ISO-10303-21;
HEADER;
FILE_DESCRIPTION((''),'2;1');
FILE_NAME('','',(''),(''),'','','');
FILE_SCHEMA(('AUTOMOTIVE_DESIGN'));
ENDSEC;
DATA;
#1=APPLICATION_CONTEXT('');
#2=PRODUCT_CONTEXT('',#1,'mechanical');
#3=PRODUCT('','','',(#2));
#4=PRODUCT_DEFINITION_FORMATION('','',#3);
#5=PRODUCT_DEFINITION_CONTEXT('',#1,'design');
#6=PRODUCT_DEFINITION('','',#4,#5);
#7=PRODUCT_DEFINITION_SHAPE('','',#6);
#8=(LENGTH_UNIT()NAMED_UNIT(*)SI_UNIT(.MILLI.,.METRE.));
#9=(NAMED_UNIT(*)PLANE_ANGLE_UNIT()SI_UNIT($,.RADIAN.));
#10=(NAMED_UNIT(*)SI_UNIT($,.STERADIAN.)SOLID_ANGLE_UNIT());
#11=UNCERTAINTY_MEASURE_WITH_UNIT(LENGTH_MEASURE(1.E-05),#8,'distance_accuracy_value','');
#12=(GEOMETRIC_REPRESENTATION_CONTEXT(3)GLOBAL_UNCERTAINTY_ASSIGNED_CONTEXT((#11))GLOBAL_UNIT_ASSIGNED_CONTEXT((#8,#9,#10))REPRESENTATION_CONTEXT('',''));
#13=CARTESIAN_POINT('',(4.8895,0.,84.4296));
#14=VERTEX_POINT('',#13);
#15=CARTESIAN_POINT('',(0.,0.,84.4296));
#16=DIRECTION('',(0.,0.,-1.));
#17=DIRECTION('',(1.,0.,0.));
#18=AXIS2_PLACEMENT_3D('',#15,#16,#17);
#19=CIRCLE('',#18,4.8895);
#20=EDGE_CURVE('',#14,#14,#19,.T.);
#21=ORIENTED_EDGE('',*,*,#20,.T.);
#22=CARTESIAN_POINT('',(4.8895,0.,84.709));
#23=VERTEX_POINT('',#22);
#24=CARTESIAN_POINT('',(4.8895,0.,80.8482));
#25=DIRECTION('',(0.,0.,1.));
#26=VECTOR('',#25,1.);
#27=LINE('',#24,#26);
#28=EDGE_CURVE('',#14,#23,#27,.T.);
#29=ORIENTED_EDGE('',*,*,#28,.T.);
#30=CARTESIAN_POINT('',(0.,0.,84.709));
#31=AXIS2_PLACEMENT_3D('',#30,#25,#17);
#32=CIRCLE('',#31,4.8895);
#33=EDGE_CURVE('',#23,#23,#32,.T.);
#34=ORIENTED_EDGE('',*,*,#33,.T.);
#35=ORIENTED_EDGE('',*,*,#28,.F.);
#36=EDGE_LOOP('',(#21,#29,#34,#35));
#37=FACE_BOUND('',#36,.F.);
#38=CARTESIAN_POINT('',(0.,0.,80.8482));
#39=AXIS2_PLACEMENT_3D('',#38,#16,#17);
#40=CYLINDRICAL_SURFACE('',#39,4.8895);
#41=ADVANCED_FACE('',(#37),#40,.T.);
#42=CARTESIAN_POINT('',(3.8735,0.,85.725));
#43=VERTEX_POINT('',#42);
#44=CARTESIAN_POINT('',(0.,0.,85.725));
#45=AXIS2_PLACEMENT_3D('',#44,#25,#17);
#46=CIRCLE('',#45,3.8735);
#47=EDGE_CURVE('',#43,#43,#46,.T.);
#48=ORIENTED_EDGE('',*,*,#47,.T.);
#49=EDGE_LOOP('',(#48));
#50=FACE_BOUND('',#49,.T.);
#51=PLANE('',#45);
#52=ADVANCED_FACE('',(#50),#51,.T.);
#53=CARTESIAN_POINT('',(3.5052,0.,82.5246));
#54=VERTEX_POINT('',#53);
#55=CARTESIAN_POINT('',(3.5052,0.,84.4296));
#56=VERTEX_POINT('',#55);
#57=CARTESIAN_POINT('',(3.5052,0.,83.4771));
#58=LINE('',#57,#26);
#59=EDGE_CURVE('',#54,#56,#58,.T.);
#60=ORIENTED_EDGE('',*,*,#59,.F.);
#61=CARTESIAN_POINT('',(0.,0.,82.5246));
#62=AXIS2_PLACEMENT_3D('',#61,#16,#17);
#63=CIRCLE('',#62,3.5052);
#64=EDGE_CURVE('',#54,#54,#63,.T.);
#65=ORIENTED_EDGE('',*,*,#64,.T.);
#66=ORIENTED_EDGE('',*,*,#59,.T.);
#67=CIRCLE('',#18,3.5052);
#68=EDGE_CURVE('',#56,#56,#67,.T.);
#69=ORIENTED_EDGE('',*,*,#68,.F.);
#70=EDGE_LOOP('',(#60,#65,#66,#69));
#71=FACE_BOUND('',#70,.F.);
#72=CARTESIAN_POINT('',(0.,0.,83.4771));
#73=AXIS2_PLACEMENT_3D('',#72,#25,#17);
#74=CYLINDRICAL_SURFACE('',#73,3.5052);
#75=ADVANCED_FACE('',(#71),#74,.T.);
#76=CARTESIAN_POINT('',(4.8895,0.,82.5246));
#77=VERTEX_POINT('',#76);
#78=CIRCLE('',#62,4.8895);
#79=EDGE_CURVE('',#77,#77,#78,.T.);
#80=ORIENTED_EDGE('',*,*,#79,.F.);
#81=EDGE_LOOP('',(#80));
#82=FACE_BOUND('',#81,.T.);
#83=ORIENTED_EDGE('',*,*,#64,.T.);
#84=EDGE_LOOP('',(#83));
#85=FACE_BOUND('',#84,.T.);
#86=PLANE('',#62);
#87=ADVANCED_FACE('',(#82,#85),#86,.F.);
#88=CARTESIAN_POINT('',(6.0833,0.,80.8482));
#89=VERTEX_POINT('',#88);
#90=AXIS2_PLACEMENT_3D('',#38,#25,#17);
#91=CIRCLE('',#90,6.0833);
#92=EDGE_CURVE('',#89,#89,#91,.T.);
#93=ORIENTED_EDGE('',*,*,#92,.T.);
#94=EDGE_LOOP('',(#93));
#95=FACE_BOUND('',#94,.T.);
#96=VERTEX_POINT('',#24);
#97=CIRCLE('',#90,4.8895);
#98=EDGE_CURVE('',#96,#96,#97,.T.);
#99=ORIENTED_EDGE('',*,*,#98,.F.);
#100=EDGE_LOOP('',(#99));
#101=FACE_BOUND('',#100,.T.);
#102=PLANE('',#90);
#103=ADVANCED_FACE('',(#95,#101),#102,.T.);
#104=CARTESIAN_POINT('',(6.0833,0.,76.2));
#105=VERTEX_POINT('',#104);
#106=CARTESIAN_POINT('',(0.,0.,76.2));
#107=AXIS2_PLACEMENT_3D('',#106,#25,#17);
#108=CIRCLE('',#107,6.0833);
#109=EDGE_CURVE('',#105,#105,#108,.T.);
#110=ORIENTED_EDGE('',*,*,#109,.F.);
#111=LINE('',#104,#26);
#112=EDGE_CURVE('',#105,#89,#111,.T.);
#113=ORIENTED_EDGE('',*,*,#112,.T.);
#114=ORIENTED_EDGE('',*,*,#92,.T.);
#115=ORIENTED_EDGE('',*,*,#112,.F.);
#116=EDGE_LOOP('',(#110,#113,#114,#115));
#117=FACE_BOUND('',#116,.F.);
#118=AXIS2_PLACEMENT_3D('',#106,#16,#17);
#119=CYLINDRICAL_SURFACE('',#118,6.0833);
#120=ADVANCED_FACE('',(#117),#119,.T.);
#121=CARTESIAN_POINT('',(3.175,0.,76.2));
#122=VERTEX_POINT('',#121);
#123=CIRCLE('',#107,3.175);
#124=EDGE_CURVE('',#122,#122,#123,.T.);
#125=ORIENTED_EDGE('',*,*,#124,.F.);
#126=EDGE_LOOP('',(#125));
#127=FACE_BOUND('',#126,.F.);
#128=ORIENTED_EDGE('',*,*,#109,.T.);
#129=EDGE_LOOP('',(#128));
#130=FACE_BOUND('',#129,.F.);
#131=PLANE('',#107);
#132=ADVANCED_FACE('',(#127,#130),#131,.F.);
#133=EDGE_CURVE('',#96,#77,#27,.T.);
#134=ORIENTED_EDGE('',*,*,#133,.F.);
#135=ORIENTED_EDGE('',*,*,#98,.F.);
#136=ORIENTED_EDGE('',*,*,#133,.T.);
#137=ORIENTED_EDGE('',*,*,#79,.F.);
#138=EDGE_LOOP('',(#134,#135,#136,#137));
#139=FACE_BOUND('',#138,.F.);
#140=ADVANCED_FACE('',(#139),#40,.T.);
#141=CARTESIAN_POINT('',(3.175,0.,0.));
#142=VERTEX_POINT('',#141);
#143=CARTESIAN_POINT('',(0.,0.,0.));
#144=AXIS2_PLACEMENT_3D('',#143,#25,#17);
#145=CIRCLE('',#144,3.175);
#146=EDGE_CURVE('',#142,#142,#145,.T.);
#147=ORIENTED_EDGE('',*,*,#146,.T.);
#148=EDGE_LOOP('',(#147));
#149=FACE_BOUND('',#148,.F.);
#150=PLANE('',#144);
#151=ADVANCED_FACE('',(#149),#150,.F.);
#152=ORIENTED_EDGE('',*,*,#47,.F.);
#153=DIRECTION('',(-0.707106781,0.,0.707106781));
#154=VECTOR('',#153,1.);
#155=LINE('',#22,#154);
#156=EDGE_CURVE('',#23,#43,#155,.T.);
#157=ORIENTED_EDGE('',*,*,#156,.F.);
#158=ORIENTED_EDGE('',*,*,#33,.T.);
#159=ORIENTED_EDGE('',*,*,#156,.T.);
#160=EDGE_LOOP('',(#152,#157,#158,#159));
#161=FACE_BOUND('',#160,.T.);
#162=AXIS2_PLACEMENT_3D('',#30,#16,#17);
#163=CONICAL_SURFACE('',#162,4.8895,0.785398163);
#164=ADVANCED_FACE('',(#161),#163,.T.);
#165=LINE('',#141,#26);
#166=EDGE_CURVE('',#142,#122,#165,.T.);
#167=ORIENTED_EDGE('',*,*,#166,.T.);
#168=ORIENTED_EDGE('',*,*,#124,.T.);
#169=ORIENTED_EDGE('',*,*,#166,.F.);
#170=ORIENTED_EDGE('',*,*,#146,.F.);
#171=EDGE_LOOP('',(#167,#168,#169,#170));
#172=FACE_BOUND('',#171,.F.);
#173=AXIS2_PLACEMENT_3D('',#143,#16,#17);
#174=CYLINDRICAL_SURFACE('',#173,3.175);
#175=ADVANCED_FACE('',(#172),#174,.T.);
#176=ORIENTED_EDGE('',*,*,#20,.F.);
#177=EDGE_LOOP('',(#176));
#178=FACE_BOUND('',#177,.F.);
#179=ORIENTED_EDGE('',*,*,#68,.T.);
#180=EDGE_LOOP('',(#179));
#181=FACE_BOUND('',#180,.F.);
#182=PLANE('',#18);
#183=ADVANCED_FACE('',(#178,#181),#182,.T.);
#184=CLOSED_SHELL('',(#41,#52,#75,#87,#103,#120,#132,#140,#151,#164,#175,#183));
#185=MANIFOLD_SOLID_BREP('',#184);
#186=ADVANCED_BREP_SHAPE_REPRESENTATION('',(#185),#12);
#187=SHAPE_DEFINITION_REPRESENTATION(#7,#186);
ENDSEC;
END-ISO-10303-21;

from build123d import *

# Parameters (mm, degrees)
F0_R     = 3.175
F1_DEPTH = 76.2
F2_R     = 6.0833
F3_DEPTH = 4.6482
F4_R     = 4.8895
F5_DEPTH = 4.8768
F6_W     = 1.3843
F6_H     = 1.905
F8_SIZE  = 1.016


with BuildPart() as f1:
    # F0 (on Top) → F1 (new body)
    with BuildSketch(Plane.XY):
        Circle(F0_R)
    extrude(amount=F1_DEPTH)

    # F2 (on face) → F3 (join)
    with BuildSketch(Plane.XY.offset(76.2)):
        Circle(F2_R)
    extrude(amount=F3_DEPTH)

    # F4 (on face) → F5 (join)
    with BuildSketch(Plane.XY.offset(80.8482)):
        Circle(F4_R)
    extrude(amount=F5_DEPTH)

    # F6 (on Front) → F7 (revolve, cut)
    with BuildSketch(Plane.XZ):
        with Locations((4.19735, 83.4771)):
            Rectangle(F6_W, F6_H)
    revolve(axis=Axis((0, 0, 63.428978), (0, 0, -1)), mode=Mode.SUBTRACT)

    # F8
    f8_edges = [f1.edges().sort_by_distance(p)[0] for p in [
        (-4.8895, 0, 85.725),
    ]]
    chamfer(f8_edges, length=F8_SIZE)


solid = f1.part
